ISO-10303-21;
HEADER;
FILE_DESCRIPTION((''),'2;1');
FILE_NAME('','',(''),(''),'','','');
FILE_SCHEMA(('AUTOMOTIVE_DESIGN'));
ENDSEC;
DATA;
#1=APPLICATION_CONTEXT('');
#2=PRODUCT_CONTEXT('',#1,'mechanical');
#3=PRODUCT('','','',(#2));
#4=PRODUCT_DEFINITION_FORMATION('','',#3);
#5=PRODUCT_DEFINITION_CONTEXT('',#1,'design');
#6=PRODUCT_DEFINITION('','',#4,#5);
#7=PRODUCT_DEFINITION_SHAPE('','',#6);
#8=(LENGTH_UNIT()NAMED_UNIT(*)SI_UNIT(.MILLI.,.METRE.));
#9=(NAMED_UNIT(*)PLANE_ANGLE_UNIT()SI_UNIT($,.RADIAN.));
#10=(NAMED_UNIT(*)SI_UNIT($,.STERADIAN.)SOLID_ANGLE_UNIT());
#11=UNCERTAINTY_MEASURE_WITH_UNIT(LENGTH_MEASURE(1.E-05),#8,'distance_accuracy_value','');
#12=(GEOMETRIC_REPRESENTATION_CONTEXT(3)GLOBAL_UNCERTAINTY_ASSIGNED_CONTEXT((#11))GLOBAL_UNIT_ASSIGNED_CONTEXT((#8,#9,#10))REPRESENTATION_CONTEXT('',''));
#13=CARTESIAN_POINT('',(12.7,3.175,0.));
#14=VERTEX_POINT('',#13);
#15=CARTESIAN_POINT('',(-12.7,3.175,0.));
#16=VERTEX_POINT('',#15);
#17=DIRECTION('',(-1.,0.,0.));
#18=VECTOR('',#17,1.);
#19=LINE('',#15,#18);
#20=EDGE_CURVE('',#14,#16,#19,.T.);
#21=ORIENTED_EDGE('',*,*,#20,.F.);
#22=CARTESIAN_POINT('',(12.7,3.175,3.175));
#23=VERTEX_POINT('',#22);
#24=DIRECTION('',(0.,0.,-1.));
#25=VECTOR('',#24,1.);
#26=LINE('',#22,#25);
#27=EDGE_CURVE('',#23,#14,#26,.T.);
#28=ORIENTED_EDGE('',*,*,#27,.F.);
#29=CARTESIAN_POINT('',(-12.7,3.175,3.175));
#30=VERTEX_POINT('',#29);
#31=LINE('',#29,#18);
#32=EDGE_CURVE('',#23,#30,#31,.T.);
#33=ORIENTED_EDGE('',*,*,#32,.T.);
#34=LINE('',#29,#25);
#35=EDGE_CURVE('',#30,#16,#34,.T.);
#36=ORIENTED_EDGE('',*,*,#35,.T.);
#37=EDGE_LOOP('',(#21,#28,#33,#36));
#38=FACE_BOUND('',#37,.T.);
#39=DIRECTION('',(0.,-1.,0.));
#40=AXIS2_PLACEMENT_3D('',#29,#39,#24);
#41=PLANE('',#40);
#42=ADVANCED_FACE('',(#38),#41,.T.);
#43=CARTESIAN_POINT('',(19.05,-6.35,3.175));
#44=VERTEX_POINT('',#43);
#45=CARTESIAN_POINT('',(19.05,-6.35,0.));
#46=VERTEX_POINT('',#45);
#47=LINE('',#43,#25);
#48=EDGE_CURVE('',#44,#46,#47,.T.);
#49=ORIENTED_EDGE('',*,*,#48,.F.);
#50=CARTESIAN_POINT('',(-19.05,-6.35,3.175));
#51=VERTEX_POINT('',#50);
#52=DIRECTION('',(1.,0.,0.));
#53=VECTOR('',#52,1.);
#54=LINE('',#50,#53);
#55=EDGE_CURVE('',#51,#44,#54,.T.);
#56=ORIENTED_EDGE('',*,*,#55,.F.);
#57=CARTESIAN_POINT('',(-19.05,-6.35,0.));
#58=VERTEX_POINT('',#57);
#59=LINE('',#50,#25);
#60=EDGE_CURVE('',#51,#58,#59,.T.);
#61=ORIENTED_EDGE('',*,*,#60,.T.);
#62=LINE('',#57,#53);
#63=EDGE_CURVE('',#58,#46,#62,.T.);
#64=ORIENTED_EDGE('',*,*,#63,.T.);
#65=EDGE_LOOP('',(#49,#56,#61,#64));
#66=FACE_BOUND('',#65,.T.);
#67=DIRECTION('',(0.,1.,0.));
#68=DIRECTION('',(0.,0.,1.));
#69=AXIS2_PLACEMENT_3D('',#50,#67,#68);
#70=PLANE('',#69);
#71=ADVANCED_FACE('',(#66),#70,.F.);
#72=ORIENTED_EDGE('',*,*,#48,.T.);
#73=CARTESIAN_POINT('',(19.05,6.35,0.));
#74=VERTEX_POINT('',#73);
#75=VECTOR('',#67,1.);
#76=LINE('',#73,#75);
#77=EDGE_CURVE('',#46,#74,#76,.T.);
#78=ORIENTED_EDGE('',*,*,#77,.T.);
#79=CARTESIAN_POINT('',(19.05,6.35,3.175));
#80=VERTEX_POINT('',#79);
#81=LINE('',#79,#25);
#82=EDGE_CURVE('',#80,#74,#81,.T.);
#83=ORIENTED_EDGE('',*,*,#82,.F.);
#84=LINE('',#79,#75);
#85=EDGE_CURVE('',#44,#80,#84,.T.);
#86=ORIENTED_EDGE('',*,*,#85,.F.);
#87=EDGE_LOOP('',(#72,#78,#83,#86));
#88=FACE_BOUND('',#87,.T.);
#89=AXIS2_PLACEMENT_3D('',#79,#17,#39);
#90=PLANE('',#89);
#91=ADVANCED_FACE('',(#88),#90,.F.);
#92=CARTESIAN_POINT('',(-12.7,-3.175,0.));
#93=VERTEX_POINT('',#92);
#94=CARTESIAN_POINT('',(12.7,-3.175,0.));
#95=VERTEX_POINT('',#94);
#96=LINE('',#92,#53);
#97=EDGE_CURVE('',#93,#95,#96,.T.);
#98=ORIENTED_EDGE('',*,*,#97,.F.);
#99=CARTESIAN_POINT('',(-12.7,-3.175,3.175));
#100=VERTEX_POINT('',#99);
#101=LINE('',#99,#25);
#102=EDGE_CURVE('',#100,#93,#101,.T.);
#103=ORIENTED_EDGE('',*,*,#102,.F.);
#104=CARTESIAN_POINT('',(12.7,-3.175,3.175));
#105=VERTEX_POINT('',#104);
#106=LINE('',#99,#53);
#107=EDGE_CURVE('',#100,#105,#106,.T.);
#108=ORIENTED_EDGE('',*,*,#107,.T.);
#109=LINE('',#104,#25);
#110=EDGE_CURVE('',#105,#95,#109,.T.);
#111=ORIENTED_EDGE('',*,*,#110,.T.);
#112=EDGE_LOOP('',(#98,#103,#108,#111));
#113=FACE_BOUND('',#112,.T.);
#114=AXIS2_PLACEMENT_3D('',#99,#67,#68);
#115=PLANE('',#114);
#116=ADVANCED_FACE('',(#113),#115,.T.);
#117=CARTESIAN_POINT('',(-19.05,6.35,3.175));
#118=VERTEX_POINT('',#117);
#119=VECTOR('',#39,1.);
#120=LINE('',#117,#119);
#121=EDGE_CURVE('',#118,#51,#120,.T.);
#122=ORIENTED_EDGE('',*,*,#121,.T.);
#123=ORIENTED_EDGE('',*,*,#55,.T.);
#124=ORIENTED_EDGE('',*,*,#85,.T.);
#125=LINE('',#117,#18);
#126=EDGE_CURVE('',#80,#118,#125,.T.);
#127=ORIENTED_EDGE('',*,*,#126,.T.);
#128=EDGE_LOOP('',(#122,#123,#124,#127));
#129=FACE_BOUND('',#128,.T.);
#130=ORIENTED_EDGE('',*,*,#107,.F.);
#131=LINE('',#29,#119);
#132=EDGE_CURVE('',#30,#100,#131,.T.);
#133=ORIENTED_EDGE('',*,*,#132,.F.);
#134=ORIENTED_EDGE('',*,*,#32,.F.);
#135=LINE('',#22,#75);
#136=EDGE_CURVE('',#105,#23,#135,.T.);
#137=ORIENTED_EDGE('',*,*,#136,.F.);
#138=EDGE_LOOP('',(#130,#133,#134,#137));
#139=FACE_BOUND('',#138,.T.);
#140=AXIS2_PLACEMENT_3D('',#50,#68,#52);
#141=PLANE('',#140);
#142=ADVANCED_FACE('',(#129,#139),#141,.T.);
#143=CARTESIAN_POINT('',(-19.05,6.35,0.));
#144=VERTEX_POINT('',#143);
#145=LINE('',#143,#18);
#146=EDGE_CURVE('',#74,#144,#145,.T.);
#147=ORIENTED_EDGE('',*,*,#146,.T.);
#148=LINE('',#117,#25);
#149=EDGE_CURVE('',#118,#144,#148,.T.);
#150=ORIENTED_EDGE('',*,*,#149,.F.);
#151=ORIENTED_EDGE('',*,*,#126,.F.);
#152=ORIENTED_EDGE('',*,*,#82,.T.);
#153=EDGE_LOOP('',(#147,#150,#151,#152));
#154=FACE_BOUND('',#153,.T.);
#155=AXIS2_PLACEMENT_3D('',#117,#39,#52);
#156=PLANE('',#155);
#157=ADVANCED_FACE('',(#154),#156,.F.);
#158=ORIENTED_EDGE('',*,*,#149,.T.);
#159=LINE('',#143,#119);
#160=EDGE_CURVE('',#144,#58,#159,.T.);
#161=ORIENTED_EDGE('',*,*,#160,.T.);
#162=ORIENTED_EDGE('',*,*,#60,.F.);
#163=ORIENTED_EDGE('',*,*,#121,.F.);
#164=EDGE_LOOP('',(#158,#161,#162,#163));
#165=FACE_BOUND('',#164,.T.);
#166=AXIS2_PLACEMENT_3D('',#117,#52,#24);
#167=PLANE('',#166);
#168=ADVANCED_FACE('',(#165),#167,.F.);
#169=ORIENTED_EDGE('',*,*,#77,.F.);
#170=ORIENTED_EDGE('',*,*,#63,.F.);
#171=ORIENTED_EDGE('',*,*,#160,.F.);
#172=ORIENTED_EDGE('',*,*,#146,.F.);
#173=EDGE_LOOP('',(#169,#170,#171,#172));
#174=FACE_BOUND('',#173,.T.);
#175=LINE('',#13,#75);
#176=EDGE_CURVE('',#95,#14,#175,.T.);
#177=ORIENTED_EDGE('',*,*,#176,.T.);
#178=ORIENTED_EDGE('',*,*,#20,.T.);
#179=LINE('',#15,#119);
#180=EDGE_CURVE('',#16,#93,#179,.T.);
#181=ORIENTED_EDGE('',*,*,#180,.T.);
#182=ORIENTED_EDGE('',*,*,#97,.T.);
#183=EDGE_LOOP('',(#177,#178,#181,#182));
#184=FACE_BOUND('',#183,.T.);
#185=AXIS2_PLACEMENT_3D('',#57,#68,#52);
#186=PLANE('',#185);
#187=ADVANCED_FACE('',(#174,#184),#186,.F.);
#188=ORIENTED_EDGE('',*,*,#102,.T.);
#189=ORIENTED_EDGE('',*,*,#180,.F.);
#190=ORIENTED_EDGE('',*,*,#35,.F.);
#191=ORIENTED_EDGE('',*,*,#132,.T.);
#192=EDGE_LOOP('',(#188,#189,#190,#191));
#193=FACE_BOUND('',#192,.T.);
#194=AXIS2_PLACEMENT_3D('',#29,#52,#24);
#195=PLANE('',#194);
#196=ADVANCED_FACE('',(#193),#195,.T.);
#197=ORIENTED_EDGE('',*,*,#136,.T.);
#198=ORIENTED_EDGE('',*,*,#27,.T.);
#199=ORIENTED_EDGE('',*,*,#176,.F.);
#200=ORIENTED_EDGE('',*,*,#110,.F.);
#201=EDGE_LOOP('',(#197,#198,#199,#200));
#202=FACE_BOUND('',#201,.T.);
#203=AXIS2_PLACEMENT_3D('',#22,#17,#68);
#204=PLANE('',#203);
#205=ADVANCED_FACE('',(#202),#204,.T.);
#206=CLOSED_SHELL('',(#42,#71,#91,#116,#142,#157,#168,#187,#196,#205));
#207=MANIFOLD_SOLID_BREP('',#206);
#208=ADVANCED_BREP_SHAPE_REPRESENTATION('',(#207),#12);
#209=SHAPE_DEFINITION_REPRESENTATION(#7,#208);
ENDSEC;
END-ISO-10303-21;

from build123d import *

# Parameters (mm, degrees)
SKETCH1_W      = 38.1
SKETCH1_H      = 12.7
SKETCH1_W_2    = 25.4
SKETCH1_H_2    = 6.35
EXTRUDE1_DEPTH = 3.175


with BuildPart() as part:
    # Sketch1 → Extrude1 (new body)
    with BuildSketch(Plane.XY):
        Rectangle(SKETCH1_W, SKETCH1_H)
        Rectangle(SKETCH1_W_2, SKETCH1_H_2, mode=Mode.SUBTRACT)
    extrude(amount=EXTRUDE1_DEPTH)


solid = part.part
